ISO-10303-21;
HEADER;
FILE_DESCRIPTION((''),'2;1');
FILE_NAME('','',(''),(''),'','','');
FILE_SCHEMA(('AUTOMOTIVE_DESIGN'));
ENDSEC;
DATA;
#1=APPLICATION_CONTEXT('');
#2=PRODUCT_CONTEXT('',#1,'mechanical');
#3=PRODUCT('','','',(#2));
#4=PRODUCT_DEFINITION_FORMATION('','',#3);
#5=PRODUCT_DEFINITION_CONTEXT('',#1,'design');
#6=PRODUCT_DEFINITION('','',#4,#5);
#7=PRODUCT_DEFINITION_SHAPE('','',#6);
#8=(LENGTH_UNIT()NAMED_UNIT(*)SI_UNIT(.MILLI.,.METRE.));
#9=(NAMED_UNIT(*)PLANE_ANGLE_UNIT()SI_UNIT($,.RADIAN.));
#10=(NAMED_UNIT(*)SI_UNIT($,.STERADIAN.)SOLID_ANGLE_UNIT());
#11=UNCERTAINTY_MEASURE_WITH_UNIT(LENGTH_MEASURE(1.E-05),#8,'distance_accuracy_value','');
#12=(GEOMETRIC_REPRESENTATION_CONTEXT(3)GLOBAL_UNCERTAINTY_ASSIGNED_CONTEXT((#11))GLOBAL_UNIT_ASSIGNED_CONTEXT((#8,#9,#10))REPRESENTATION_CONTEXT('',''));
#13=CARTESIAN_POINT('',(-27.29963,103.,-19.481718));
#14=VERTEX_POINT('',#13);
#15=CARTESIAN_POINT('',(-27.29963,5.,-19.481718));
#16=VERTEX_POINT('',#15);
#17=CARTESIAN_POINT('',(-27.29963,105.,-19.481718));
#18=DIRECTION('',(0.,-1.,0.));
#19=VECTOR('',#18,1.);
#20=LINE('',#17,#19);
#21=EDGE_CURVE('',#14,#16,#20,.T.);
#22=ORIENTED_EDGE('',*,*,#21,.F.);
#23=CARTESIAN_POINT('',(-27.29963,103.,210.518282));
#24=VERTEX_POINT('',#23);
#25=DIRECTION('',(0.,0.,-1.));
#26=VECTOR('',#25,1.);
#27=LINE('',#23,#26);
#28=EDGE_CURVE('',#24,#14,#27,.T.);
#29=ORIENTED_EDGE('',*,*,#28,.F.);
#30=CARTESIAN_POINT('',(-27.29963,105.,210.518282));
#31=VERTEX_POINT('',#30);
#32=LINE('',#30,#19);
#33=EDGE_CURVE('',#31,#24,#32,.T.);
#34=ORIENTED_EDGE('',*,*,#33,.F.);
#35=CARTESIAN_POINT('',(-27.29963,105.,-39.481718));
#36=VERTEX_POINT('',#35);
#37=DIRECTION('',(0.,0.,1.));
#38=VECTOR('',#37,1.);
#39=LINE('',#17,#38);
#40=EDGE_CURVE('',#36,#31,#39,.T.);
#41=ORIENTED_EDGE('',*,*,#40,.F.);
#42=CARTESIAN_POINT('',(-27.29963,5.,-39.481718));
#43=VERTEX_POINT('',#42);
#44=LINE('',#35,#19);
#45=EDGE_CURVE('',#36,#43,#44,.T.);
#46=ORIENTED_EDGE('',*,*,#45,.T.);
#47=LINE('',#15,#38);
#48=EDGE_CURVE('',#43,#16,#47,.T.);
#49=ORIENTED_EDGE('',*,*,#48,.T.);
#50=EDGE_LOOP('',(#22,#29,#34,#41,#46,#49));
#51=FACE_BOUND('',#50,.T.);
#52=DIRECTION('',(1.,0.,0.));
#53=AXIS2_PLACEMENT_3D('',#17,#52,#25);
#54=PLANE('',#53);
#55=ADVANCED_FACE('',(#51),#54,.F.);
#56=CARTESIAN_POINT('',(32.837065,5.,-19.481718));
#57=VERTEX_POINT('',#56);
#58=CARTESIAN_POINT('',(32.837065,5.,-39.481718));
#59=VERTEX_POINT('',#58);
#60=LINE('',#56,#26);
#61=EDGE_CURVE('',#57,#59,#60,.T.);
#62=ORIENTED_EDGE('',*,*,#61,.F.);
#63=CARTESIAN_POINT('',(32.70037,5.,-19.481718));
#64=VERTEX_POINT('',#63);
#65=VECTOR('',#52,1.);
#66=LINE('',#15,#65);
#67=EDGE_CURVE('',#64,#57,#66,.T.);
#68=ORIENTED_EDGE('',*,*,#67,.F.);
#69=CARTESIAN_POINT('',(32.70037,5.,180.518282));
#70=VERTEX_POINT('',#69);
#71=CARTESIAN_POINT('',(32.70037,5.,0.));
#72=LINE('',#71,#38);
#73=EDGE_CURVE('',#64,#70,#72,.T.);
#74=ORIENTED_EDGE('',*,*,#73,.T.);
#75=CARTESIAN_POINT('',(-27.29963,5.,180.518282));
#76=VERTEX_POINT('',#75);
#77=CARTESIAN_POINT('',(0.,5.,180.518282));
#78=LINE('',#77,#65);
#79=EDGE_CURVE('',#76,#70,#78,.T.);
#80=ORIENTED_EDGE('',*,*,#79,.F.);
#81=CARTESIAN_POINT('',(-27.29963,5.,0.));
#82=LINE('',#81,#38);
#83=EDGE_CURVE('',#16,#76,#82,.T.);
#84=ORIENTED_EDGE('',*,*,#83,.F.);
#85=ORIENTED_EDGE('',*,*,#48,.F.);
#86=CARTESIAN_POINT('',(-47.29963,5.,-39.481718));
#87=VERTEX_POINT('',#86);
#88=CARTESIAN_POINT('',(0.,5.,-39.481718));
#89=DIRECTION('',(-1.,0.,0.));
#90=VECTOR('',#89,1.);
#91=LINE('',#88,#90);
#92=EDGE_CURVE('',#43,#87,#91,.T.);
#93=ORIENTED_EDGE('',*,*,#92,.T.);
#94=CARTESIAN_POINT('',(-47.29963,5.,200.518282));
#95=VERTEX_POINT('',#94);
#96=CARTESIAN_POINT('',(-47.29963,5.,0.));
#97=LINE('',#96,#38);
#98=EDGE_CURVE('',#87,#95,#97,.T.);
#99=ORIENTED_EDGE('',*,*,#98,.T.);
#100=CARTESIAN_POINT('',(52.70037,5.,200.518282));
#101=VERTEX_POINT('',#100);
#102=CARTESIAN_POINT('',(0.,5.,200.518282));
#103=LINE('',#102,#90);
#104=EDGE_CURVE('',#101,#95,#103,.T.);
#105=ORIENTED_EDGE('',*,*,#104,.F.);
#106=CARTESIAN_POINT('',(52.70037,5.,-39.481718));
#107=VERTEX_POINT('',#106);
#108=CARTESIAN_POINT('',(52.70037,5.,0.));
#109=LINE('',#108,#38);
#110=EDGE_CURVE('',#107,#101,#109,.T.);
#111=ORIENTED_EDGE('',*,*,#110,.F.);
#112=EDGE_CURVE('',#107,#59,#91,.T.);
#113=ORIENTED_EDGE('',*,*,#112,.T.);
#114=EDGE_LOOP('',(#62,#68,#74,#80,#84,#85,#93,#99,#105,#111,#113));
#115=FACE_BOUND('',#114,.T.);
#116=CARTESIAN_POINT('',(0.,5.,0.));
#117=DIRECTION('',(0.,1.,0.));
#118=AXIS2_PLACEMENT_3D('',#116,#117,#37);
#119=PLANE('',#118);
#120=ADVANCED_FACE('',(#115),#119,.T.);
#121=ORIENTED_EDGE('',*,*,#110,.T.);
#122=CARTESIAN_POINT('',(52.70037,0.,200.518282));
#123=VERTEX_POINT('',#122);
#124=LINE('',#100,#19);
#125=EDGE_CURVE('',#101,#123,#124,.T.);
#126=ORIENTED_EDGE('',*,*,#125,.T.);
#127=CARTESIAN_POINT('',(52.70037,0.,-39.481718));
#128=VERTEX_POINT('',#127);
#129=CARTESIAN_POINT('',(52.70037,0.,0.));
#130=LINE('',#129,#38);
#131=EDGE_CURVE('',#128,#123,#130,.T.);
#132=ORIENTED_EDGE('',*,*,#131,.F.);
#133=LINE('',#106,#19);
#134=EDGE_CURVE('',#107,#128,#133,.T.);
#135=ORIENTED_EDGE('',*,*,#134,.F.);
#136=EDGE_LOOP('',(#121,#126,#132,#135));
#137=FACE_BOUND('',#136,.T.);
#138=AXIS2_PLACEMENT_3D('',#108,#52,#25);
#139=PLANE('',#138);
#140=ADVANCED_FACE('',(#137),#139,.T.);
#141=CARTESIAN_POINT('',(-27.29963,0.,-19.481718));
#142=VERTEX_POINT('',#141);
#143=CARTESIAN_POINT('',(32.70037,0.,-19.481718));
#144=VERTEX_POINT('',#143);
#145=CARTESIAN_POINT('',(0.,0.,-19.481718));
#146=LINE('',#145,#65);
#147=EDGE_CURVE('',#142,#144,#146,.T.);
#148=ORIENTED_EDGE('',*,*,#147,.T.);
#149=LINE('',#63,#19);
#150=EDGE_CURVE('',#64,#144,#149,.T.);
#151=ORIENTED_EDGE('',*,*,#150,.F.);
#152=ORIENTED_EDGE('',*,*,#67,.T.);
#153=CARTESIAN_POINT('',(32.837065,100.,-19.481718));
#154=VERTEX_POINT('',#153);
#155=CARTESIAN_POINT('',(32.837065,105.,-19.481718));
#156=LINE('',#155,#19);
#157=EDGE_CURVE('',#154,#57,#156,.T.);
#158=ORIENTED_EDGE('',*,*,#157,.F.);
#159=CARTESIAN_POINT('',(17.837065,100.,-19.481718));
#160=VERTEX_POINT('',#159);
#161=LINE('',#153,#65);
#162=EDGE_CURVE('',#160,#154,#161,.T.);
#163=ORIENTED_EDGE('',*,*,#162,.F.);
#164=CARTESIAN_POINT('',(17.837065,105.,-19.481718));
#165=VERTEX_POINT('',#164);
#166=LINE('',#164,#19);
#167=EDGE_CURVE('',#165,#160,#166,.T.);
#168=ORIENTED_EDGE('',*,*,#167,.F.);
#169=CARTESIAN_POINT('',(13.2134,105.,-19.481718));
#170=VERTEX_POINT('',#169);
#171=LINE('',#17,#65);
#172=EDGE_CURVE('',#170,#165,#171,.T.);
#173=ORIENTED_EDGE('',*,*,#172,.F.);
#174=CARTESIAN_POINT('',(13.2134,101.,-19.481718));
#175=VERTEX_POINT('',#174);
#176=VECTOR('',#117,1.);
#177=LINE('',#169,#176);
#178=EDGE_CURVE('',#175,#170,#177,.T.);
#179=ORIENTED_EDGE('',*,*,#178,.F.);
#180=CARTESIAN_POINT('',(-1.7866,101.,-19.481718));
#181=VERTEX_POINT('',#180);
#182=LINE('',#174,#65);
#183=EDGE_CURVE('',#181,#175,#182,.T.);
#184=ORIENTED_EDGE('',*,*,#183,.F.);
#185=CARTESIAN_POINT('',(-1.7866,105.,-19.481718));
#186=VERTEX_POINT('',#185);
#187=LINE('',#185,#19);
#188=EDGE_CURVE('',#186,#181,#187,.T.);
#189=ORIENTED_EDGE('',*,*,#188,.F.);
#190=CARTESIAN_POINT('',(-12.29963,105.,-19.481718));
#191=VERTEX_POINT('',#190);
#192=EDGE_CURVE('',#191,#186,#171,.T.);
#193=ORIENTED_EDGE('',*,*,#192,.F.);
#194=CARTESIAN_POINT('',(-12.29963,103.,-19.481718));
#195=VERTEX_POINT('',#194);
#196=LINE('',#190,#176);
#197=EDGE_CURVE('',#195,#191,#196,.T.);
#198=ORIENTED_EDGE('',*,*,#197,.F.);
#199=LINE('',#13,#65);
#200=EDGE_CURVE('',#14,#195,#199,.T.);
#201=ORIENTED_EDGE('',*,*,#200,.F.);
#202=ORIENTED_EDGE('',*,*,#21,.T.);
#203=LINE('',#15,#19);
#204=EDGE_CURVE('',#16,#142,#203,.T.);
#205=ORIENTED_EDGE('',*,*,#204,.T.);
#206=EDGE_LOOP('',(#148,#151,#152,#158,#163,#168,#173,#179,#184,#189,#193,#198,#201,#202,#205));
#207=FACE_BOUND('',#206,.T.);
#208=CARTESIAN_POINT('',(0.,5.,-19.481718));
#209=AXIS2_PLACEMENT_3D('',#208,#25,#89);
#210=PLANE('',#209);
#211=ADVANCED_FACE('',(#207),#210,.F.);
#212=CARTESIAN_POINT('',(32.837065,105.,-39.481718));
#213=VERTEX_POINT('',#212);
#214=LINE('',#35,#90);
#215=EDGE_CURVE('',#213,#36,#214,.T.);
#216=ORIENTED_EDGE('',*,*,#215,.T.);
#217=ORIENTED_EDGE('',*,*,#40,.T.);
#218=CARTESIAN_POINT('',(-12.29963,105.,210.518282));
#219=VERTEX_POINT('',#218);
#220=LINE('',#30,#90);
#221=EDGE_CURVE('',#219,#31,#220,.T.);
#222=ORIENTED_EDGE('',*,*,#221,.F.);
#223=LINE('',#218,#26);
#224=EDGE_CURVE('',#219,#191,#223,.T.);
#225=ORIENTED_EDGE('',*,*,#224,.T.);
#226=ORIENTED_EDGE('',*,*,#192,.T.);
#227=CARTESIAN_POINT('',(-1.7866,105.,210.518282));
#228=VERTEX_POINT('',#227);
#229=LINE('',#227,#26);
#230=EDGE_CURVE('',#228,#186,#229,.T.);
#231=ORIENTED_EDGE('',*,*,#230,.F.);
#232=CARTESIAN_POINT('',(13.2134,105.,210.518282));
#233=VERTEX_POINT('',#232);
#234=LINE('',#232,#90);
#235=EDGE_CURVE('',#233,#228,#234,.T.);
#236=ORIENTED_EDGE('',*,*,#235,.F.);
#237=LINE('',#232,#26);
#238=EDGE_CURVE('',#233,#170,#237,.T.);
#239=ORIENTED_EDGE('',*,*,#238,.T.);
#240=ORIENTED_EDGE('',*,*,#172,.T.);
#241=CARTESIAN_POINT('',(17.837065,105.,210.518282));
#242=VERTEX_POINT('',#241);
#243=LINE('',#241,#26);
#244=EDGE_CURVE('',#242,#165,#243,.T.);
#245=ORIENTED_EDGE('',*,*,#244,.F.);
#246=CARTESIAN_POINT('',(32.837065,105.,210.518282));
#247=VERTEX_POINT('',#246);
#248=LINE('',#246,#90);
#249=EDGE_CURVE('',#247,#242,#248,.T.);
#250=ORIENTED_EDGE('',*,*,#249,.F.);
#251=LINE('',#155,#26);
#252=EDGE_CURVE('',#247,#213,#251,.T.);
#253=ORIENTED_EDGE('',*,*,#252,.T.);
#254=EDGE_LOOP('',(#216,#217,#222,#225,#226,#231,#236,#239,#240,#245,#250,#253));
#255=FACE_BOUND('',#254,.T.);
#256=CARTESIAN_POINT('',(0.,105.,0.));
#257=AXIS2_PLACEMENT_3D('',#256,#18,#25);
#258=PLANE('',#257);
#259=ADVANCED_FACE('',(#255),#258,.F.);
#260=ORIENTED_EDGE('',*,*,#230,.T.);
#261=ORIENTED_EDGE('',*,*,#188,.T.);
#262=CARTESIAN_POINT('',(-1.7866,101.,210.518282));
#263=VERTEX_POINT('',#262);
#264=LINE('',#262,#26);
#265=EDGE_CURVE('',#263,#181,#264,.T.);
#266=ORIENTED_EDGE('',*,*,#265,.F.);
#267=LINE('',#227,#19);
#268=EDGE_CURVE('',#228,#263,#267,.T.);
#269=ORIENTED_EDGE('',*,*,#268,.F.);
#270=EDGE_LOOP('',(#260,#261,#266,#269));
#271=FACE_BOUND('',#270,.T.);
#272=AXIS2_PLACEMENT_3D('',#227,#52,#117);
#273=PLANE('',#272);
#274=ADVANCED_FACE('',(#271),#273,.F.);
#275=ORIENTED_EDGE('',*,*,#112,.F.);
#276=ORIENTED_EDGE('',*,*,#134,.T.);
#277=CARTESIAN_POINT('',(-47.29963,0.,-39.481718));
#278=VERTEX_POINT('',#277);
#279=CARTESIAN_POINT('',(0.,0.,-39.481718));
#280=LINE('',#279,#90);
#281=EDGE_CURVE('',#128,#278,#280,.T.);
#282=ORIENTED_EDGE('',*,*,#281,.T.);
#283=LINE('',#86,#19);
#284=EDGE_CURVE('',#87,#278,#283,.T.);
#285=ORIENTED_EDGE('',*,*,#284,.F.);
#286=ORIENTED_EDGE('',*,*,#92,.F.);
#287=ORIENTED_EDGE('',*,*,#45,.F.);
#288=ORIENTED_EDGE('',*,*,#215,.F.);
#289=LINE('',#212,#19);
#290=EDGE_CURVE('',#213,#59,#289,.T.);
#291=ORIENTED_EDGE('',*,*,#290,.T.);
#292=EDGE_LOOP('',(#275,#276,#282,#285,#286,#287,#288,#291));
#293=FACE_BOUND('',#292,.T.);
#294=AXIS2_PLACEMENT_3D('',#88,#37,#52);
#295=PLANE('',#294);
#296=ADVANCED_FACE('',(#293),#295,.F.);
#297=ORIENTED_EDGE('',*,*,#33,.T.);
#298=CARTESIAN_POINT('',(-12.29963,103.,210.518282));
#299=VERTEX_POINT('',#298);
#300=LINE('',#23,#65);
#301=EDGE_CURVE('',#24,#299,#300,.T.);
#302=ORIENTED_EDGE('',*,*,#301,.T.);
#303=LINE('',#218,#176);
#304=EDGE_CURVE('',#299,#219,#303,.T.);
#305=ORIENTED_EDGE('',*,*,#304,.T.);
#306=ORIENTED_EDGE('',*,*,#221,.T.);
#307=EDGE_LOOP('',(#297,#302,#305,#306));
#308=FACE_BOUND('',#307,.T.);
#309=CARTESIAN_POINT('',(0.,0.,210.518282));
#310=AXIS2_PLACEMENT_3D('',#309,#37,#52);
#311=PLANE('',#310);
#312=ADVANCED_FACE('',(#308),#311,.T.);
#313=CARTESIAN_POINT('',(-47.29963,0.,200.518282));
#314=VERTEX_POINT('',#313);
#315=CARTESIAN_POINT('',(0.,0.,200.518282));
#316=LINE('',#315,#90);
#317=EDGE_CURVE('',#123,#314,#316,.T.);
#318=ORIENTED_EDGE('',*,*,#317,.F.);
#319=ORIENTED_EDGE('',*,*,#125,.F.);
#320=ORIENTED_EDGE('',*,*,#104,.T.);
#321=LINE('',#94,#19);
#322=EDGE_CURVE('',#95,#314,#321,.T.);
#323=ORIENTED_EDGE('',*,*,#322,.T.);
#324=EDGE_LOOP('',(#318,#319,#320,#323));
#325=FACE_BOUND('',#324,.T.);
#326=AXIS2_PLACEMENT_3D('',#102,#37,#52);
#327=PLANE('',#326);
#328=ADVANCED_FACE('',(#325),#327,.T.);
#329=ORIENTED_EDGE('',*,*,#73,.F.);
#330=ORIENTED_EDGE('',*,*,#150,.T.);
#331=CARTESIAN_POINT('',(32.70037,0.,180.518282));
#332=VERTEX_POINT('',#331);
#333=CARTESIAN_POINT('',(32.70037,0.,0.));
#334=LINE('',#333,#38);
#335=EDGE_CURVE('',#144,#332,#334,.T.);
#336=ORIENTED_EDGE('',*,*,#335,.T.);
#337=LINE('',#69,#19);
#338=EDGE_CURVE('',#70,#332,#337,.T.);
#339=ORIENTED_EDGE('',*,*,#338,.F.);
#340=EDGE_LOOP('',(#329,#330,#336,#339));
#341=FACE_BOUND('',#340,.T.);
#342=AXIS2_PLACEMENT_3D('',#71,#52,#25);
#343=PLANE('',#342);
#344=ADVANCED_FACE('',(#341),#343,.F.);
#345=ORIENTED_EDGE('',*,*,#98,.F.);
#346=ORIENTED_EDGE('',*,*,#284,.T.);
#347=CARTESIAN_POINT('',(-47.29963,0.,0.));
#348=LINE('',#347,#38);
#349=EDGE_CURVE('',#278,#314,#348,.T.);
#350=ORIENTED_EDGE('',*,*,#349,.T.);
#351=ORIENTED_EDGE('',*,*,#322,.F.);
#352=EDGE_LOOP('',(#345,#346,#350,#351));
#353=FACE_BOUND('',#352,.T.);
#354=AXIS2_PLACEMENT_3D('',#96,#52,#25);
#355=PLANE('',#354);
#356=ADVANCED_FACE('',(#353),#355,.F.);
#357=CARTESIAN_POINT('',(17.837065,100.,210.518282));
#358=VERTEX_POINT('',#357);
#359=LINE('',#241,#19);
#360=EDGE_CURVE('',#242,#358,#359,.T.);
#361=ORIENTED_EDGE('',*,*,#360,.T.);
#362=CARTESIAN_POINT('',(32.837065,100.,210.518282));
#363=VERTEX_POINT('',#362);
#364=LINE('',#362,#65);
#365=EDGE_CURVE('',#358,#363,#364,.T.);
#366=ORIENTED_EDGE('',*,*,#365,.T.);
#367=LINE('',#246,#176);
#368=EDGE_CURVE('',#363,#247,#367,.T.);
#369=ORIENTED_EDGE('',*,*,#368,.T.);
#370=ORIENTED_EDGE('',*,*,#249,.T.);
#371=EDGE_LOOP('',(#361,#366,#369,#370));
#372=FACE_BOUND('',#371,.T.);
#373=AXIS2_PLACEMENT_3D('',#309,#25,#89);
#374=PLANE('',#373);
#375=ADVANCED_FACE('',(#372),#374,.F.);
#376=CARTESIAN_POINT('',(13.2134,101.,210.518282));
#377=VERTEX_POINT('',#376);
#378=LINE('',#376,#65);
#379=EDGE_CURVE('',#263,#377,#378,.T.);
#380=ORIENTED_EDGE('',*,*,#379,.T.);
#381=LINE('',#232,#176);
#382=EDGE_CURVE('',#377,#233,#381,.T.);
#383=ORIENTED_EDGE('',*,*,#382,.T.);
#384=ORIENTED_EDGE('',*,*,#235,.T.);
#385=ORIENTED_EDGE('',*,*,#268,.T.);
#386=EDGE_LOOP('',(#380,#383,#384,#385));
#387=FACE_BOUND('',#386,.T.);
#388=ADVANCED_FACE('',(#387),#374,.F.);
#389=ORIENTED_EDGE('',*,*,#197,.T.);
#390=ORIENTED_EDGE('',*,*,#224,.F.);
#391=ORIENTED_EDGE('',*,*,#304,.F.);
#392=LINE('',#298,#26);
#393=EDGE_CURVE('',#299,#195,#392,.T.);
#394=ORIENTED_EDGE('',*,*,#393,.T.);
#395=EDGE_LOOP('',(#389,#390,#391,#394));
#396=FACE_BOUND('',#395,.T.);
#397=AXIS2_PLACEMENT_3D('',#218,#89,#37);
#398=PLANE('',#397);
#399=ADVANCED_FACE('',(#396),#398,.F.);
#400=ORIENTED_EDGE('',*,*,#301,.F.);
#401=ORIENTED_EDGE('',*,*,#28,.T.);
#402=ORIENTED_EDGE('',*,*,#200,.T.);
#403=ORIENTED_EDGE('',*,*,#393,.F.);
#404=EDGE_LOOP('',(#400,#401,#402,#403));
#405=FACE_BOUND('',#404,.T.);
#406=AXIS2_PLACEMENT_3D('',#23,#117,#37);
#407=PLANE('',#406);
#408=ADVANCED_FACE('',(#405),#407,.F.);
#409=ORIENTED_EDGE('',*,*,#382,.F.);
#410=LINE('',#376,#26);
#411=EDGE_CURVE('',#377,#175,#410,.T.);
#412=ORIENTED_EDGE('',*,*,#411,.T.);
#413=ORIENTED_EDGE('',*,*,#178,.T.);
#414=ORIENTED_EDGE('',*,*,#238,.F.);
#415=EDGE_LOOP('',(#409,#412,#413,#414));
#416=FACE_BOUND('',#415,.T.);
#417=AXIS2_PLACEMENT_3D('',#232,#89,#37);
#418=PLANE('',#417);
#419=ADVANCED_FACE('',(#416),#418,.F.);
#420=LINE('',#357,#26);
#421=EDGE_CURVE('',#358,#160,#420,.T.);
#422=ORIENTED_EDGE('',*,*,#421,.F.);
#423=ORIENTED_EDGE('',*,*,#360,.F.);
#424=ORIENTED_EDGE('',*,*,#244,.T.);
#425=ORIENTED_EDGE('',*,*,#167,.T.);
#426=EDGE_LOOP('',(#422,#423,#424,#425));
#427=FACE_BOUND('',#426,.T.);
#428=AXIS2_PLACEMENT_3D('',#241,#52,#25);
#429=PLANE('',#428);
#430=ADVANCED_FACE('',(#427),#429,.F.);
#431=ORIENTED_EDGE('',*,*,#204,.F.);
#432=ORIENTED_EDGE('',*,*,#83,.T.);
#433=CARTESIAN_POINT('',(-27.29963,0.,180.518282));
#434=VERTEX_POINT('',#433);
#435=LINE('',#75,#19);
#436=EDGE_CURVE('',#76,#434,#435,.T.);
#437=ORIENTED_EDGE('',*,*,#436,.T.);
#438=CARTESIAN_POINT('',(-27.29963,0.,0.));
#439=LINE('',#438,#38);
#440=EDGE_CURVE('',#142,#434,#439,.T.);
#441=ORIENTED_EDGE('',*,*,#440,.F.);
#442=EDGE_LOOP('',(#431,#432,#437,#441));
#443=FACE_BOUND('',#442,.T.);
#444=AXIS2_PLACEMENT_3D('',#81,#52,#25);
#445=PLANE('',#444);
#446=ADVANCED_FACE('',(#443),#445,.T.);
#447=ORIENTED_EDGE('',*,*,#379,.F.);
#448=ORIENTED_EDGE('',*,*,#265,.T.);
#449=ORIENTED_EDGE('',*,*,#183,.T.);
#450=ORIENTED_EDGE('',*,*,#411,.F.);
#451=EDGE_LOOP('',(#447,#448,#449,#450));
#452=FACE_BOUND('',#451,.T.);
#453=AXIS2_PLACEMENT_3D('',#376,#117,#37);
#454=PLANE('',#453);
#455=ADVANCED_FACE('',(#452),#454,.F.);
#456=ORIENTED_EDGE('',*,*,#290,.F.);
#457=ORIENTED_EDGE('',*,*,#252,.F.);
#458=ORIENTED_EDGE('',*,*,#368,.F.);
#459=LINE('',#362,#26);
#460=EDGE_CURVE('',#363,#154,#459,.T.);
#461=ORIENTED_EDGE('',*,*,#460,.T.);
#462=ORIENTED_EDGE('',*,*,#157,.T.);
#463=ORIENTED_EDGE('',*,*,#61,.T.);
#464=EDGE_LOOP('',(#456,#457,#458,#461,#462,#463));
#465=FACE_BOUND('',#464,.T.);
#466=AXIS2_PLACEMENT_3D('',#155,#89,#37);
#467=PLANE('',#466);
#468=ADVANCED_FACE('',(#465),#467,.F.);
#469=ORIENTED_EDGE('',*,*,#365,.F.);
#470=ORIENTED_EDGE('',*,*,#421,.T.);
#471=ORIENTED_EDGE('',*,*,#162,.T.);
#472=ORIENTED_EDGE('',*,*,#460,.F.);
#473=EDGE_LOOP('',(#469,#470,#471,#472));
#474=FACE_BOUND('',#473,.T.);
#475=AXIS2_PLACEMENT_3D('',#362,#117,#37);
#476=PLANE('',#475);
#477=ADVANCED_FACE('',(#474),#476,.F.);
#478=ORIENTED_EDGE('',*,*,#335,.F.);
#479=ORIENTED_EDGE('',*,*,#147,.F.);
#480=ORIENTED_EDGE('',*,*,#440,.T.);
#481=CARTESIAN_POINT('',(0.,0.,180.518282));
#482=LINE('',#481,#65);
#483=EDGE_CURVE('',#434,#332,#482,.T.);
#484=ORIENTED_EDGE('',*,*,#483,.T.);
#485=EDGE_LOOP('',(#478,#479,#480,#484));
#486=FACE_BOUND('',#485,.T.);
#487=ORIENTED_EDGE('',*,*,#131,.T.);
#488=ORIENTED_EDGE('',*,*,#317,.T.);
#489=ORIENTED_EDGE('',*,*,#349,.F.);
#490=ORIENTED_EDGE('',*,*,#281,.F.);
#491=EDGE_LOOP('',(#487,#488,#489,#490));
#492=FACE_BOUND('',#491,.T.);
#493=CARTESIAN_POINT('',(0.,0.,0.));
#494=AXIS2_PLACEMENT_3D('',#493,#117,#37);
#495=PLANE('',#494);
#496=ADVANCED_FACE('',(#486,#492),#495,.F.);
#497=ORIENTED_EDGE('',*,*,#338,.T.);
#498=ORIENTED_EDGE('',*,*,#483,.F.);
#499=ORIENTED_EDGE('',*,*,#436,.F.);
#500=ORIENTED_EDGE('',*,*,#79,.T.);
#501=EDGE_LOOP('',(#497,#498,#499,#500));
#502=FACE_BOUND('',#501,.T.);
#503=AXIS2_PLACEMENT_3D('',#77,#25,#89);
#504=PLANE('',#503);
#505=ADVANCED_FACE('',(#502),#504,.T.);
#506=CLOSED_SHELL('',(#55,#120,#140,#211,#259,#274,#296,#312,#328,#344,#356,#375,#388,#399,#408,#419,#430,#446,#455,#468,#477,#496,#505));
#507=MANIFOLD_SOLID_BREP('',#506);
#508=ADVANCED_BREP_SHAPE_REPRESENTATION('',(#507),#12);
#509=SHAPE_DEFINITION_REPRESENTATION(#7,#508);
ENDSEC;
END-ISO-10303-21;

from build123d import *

# Parameters (mm, degrees)
SKETCH1_W           = 20
SKETCH1_H           = 20
BOSS_EXTRUDE1_DEPTH = 5
SKETCH2_W           = 60.136694628
SKETCH2_H           = 20
BOSS_EXTRUDE2_DEPTH = 100
SKETCH3_W           = 15
SKETCH3_H           = 2
SKETCH3_H_2         = 5
SKETCH3_H_3         = 4
BOSS_EXTRUDE3_DEPTH = 230


with BuildPart() as part:
    # Sketch1 → Boss-Extrude1 (new body)
    with BuildSketch(Plane(origin=(0, 0, 0), x_dir=(1, 0, 0), z_dir=(0, 1, 0))):
        Polygon((52.700369914, 19.481718454), (32.700369914, 19.481718454), (32.700369914, -180.518281546), (-27.299630086, -180.518281546), (-27.299630086, -200.518281546), (52.700369914, -200.518281546), align=None)
        Polygon((-27.299630086, 19.481718454), (32.700369914, 19.481718454), (52.700369914, 19.481718454), (52.700369914, 39.481718454), (-47.299630086, 39.481718454), (-47.299630086, -180.518281546), (-27.299630086, -180.518281546), align=None)
        with Locations((-37.299630086, -190.518281546)):
            Rectangle(SKETCH1_W, SKETCH1_H)
    extrude(amount=BOSS_EXTRUDE1_DEPTH)

    # Sketch2 → Boss-Extrude2 (add)
    with BuildSketch(Plane(origin=(0, 5, 0), x_dir=(1, 0, 0), z_dir=(0, 1, 0))):
        with Locations((2.768717228, 29.481718454)):
            Rectangle(SKETCH2_W, SKETCH2_H)
    extrude(amount=BOSS_EXTRUDE2_DEPTH)

    # Sketch3 → Boss-Extrude3 (add)
    with BuildSketch(Plane.XY.offset(-19.481718454)):
        with Locations((-19.799630086, 104)):
            Rectangle(SKETCH3_W, SKETCH3_H)
        with Locations((25.337064542, 102.5)):
            Rectangle(SKETCH3_W, SKETCH3_H_2)
        with Locations((5.71340039, 103)):
            Rectangle(SKETCH3_W, SKETCH3_H_3)
    extrude(amount=BOSS_EXTRUDE3_DEPTH)


solid = part.part
